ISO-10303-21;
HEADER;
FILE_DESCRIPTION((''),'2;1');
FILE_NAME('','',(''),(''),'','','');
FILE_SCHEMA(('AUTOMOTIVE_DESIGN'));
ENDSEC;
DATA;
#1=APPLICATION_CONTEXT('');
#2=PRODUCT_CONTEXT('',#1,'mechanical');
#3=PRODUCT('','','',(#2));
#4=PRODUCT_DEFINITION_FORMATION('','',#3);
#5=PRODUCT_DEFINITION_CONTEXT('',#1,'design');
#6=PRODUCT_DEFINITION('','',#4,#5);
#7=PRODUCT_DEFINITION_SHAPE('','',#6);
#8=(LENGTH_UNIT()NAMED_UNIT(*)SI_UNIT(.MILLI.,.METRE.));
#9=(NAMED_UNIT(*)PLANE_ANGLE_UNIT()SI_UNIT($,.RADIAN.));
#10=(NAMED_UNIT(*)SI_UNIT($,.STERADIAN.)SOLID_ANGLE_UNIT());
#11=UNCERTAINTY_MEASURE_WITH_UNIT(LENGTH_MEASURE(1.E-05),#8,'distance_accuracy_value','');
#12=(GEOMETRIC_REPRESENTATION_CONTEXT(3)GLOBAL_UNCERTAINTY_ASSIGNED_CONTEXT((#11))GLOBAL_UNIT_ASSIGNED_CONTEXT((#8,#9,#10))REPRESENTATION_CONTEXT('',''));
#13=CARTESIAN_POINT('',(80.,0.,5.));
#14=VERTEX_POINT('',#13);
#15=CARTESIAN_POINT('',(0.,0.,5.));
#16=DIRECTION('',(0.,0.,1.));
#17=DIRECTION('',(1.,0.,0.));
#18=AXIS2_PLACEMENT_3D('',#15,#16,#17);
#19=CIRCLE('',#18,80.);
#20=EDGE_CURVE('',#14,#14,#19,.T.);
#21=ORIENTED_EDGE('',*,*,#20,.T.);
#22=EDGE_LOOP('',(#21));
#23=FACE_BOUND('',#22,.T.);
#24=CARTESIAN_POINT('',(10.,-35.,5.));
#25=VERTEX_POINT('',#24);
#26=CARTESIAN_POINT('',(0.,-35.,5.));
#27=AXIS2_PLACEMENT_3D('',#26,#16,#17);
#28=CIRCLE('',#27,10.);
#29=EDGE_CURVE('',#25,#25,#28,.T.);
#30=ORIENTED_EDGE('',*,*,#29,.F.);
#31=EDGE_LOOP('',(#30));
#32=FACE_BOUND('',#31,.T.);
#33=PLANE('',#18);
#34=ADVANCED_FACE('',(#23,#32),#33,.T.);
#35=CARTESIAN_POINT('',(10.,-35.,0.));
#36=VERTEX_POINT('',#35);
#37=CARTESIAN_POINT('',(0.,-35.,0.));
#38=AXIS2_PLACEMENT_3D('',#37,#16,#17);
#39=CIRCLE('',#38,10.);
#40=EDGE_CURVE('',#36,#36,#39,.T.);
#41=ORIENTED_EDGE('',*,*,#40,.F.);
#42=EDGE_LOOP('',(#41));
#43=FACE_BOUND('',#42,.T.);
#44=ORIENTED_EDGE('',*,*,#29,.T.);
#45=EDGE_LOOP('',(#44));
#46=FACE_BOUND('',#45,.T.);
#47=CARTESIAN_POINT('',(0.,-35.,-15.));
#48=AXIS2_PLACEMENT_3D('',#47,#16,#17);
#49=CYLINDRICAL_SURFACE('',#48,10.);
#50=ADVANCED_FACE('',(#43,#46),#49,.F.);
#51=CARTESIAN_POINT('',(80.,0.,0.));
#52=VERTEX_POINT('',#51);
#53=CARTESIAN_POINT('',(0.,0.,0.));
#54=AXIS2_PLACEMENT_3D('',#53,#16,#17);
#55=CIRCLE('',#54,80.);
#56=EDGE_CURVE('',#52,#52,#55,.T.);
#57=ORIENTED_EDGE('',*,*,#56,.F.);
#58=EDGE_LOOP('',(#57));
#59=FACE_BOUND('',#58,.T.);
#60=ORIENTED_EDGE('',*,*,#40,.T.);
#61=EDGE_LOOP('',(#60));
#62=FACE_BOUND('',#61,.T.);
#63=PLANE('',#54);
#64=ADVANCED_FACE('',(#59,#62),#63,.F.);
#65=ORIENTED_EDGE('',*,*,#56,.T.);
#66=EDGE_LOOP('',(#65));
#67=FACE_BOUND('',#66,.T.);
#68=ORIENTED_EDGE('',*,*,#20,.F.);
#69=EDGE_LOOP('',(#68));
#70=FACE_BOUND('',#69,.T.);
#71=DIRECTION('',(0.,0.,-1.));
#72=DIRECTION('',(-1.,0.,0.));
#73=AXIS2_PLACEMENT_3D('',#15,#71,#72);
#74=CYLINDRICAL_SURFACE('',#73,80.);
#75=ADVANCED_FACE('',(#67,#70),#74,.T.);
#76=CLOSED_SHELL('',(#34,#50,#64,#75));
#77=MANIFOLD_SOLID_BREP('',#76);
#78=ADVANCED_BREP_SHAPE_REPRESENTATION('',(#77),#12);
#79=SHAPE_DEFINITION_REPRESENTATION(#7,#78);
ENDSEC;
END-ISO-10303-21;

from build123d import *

# Parameters (mm, degrees)
SKETCH1_R           = 80
BOSS_EXTRUDE1_DEPTH = 5
SKETCH2_R           = 10
CUT_EXTRUDE2_DEPTH  = 20


with BuildPart() as part:
    # Sketch1 → Boss-Extrude1 (new body)
    with BuildSketch(Plane.XY):
        Circle(SKETCH1_R)
    extrude(amount=BOSS_EXTRUDE1_DEPTH)

    # Sketch2 → Cut-Extrude2 (cut)
    with BuildSketch(Plane.XY.offset(5)):
        with Locations((0, -35)):
            Circle(SKETCH2_R)
    extrude(amount=-CUT_EXTRUDE2_DEPTH, mode=Mode.SUBTRACT)


solid = part.part
